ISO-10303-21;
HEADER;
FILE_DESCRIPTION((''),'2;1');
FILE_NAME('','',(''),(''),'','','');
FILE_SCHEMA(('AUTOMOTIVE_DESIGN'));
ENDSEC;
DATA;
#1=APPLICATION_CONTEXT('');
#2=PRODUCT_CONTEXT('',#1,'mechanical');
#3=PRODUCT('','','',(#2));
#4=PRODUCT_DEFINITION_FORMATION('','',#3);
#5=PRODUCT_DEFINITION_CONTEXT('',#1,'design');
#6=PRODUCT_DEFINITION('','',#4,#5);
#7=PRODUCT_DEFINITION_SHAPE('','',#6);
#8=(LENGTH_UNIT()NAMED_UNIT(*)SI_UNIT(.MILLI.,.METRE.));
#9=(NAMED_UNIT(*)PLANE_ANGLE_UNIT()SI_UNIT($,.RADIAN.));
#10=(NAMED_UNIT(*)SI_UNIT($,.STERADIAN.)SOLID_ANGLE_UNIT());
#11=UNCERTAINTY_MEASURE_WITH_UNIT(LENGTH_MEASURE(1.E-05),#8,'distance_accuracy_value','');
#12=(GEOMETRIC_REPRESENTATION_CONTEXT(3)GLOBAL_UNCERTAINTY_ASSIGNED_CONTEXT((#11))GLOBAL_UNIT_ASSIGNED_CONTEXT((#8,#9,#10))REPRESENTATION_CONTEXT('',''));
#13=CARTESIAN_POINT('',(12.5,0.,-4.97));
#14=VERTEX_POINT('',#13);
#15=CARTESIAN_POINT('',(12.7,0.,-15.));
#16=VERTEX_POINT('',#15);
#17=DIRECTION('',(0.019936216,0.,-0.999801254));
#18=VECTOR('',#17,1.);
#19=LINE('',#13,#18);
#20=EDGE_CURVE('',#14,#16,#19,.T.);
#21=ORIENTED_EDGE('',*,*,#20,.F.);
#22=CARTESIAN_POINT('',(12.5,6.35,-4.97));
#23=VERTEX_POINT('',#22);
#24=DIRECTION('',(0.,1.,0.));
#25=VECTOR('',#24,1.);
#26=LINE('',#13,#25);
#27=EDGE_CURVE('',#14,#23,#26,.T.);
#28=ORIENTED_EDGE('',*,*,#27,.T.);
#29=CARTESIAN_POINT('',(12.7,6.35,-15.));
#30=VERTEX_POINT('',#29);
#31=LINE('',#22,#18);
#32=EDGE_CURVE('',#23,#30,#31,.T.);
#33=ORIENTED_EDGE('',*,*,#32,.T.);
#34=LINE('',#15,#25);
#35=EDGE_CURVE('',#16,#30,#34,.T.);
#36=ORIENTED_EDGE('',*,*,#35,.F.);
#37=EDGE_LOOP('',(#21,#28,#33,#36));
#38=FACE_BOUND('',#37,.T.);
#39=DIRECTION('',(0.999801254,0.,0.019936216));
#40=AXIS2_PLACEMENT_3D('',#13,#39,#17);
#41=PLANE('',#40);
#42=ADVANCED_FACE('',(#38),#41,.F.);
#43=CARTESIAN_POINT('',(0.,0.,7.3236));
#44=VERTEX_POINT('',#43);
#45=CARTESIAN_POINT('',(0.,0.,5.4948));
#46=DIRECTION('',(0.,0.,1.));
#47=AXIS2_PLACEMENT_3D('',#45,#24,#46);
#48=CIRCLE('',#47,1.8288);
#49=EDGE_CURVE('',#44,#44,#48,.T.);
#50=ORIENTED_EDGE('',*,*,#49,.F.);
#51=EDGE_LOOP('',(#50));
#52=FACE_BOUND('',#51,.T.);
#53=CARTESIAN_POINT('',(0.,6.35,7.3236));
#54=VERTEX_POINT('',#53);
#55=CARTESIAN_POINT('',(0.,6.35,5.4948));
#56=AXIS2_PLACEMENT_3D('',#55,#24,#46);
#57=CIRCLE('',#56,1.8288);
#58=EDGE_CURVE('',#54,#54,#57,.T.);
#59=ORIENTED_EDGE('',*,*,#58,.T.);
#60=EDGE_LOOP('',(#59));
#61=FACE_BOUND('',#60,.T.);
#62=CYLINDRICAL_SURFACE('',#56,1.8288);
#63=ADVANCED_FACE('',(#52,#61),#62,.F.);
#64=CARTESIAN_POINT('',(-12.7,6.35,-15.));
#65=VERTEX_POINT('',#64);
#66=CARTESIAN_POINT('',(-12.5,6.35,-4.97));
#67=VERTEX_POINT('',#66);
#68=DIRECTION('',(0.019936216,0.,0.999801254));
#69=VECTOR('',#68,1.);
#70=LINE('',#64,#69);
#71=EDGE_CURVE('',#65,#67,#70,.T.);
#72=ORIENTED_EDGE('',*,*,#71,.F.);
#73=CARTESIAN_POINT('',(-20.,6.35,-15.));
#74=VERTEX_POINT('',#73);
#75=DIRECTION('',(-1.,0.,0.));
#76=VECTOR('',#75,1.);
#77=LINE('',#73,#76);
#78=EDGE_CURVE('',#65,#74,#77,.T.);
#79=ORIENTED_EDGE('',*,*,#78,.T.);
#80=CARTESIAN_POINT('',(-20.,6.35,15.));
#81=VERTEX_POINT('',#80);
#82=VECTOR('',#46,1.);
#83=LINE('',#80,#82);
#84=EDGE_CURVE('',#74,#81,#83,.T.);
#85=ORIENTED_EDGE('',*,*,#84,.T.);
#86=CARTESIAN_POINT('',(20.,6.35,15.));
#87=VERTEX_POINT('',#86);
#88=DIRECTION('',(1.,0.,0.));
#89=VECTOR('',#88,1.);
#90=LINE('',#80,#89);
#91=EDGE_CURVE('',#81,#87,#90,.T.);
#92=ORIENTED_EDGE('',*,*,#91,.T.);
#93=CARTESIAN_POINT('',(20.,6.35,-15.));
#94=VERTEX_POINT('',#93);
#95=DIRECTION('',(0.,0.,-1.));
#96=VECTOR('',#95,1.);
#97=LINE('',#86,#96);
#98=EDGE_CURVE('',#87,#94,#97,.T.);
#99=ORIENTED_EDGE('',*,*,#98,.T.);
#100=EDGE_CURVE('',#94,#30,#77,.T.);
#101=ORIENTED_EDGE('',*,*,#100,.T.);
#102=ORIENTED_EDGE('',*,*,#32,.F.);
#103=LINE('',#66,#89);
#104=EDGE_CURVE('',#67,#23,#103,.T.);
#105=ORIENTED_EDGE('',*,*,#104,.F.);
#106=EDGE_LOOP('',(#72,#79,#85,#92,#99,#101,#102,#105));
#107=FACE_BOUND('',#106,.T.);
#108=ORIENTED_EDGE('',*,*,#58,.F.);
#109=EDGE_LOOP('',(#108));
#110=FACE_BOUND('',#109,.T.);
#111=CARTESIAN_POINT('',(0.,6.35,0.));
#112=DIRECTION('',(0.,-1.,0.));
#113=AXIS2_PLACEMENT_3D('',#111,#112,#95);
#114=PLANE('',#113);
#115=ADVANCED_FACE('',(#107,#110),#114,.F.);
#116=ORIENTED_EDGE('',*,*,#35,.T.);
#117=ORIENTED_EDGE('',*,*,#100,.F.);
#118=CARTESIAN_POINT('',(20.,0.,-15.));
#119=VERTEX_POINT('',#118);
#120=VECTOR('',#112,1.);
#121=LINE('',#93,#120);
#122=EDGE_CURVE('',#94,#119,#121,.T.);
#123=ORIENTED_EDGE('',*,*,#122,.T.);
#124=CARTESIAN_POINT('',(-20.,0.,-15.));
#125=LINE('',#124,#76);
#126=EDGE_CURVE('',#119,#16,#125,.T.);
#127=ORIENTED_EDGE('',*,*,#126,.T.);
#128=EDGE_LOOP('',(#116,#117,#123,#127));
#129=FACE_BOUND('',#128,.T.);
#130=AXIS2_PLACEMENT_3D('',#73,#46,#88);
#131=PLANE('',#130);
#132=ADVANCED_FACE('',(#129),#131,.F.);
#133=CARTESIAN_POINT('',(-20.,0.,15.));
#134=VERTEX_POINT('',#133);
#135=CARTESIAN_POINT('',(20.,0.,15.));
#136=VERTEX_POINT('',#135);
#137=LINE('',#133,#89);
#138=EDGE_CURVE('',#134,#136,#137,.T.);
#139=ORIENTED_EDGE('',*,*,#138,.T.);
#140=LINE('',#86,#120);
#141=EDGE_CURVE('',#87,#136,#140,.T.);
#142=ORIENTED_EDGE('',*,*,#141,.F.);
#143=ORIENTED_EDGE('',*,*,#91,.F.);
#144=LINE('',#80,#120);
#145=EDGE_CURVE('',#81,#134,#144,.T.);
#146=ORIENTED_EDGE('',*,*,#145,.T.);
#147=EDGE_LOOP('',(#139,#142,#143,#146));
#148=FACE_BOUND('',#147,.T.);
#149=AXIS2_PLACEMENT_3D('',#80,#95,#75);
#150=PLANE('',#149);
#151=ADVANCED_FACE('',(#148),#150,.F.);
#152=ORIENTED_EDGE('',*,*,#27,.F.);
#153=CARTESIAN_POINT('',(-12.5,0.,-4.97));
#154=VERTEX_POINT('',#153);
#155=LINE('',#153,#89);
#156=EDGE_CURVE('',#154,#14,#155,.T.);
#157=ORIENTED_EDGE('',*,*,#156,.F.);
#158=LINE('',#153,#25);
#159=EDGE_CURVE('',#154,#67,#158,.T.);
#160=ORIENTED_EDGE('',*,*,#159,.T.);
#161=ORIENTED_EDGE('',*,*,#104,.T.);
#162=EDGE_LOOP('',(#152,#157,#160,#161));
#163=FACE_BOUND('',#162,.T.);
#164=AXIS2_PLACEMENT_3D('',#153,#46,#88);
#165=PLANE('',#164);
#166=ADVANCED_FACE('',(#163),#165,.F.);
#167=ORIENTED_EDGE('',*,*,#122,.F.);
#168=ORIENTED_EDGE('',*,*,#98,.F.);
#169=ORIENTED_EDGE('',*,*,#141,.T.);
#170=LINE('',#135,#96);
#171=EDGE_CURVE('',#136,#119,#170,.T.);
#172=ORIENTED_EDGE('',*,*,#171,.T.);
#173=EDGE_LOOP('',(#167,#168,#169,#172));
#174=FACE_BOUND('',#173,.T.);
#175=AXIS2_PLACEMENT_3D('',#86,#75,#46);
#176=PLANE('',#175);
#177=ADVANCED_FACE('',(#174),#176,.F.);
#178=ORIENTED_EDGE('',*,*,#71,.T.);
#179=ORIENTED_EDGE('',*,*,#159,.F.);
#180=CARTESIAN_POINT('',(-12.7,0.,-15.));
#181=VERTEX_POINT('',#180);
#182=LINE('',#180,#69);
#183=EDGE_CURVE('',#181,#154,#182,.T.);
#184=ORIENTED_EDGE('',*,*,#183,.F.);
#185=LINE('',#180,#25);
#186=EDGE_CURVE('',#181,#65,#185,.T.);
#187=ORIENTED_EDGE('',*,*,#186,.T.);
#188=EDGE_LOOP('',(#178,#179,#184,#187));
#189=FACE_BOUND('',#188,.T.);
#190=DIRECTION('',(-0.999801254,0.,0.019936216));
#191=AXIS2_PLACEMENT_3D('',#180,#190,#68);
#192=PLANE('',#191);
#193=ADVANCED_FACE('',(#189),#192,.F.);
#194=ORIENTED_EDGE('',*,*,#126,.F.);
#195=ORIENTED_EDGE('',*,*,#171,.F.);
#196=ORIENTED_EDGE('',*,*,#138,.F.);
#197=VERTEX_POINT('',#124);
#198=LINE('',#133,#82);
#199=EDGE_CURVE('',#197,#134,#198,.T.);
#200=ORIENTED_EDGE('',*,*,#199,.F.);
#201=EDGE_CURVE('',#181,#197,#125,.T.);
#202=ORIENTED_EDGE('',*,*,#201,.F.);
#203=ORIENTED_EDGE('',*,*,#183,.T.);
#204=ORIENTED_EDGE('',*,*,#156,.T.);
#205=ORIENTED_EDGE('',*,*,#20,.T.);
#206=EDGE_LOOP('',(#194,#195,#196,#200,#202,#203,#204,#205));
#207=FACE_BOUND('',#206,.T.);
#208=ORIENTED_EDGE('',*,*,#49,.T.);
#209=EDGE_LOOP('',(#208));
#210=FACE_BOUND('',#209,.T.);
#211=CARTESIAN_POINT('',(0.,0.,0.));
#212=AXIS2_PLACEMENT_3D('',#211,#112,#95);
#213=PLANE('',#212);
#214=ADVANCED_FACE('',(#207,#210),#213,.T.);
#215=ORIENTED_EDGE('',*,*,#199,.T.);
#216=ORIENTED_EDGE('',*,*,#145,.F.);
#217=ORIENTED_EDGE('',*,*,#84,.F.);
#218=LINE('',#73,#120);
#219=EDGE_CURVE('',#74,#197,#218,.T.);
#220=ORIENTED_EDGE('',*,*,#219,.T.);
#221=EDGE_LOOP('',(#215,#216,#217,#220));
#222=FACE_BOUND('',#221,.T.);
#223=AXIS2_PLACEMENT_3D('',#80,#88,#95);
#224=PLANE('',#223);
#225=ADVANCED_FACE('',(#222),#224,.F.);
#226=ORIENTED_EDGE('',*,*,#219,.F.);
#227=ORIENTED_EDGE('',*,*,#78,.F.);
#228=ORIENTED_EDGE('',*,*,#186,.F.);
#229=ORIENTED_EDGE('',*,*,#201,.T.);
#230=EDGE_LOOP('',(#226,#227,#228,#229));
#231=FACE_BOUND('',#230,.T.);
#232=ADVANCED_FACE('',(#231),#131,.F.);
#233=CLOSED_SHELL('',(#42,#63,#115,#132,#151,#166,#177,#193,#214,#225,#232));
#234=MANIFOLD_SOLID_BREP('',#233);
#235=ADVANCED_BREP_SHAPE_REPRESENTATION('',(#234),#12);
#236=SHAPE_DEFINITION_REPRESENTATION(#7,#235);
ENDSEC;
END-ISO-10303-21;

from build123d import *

# Parameters (mm, degrees)
SKETCH1_W             = 40
SKETCH1_H             = 30
BOSS_EXTRUDE1_DEPTH   = 6.35
CUT_EXTRUDE1_DEPTH    = 7.35
F_6_CLEARANCE_HOLE1_D = 3.6576


with BuildPart() as part:
    # Sketch1 → Boss-Extrude1 (new body)
    with BuildSketch(Plane(origin=(0, 0, 0), x_dir=(1, 0, 0), z_dir=(0, 1, 0))):
        Rectangle(SKETCH1_W, SKETCH1_H)
    extrude(amount=BOSS_EXTRUDE1_DEPTH)

    # Sketch2 → Cut-Extrude1 (cut, through all)
    with BuildSketch(Plane(origin=(0, 6.35, 0), x_dir=(1, 0, 0), z_dir=(0, 1, 0))):
        Polygon((-12.7, 15), (-12.5, 4.97), (12.5, 4.97), (12.7, 15), align=None)
    extrude(amount=-CUT_EXTRUDE1_DEPTH, mode=Mode.SUBTRACT)

    # #6 Clearance Hole1 (through all)
    with Locations(Plane(origin=(0, 6.35, 5.4948), x_dir=(0, 0, 1), z_dir=(0, 1, 0))):
        with Locations((0, 0)):
            Hole(F_6_CLEARANCE_HOLE1_D / 2)


solid = part.part
